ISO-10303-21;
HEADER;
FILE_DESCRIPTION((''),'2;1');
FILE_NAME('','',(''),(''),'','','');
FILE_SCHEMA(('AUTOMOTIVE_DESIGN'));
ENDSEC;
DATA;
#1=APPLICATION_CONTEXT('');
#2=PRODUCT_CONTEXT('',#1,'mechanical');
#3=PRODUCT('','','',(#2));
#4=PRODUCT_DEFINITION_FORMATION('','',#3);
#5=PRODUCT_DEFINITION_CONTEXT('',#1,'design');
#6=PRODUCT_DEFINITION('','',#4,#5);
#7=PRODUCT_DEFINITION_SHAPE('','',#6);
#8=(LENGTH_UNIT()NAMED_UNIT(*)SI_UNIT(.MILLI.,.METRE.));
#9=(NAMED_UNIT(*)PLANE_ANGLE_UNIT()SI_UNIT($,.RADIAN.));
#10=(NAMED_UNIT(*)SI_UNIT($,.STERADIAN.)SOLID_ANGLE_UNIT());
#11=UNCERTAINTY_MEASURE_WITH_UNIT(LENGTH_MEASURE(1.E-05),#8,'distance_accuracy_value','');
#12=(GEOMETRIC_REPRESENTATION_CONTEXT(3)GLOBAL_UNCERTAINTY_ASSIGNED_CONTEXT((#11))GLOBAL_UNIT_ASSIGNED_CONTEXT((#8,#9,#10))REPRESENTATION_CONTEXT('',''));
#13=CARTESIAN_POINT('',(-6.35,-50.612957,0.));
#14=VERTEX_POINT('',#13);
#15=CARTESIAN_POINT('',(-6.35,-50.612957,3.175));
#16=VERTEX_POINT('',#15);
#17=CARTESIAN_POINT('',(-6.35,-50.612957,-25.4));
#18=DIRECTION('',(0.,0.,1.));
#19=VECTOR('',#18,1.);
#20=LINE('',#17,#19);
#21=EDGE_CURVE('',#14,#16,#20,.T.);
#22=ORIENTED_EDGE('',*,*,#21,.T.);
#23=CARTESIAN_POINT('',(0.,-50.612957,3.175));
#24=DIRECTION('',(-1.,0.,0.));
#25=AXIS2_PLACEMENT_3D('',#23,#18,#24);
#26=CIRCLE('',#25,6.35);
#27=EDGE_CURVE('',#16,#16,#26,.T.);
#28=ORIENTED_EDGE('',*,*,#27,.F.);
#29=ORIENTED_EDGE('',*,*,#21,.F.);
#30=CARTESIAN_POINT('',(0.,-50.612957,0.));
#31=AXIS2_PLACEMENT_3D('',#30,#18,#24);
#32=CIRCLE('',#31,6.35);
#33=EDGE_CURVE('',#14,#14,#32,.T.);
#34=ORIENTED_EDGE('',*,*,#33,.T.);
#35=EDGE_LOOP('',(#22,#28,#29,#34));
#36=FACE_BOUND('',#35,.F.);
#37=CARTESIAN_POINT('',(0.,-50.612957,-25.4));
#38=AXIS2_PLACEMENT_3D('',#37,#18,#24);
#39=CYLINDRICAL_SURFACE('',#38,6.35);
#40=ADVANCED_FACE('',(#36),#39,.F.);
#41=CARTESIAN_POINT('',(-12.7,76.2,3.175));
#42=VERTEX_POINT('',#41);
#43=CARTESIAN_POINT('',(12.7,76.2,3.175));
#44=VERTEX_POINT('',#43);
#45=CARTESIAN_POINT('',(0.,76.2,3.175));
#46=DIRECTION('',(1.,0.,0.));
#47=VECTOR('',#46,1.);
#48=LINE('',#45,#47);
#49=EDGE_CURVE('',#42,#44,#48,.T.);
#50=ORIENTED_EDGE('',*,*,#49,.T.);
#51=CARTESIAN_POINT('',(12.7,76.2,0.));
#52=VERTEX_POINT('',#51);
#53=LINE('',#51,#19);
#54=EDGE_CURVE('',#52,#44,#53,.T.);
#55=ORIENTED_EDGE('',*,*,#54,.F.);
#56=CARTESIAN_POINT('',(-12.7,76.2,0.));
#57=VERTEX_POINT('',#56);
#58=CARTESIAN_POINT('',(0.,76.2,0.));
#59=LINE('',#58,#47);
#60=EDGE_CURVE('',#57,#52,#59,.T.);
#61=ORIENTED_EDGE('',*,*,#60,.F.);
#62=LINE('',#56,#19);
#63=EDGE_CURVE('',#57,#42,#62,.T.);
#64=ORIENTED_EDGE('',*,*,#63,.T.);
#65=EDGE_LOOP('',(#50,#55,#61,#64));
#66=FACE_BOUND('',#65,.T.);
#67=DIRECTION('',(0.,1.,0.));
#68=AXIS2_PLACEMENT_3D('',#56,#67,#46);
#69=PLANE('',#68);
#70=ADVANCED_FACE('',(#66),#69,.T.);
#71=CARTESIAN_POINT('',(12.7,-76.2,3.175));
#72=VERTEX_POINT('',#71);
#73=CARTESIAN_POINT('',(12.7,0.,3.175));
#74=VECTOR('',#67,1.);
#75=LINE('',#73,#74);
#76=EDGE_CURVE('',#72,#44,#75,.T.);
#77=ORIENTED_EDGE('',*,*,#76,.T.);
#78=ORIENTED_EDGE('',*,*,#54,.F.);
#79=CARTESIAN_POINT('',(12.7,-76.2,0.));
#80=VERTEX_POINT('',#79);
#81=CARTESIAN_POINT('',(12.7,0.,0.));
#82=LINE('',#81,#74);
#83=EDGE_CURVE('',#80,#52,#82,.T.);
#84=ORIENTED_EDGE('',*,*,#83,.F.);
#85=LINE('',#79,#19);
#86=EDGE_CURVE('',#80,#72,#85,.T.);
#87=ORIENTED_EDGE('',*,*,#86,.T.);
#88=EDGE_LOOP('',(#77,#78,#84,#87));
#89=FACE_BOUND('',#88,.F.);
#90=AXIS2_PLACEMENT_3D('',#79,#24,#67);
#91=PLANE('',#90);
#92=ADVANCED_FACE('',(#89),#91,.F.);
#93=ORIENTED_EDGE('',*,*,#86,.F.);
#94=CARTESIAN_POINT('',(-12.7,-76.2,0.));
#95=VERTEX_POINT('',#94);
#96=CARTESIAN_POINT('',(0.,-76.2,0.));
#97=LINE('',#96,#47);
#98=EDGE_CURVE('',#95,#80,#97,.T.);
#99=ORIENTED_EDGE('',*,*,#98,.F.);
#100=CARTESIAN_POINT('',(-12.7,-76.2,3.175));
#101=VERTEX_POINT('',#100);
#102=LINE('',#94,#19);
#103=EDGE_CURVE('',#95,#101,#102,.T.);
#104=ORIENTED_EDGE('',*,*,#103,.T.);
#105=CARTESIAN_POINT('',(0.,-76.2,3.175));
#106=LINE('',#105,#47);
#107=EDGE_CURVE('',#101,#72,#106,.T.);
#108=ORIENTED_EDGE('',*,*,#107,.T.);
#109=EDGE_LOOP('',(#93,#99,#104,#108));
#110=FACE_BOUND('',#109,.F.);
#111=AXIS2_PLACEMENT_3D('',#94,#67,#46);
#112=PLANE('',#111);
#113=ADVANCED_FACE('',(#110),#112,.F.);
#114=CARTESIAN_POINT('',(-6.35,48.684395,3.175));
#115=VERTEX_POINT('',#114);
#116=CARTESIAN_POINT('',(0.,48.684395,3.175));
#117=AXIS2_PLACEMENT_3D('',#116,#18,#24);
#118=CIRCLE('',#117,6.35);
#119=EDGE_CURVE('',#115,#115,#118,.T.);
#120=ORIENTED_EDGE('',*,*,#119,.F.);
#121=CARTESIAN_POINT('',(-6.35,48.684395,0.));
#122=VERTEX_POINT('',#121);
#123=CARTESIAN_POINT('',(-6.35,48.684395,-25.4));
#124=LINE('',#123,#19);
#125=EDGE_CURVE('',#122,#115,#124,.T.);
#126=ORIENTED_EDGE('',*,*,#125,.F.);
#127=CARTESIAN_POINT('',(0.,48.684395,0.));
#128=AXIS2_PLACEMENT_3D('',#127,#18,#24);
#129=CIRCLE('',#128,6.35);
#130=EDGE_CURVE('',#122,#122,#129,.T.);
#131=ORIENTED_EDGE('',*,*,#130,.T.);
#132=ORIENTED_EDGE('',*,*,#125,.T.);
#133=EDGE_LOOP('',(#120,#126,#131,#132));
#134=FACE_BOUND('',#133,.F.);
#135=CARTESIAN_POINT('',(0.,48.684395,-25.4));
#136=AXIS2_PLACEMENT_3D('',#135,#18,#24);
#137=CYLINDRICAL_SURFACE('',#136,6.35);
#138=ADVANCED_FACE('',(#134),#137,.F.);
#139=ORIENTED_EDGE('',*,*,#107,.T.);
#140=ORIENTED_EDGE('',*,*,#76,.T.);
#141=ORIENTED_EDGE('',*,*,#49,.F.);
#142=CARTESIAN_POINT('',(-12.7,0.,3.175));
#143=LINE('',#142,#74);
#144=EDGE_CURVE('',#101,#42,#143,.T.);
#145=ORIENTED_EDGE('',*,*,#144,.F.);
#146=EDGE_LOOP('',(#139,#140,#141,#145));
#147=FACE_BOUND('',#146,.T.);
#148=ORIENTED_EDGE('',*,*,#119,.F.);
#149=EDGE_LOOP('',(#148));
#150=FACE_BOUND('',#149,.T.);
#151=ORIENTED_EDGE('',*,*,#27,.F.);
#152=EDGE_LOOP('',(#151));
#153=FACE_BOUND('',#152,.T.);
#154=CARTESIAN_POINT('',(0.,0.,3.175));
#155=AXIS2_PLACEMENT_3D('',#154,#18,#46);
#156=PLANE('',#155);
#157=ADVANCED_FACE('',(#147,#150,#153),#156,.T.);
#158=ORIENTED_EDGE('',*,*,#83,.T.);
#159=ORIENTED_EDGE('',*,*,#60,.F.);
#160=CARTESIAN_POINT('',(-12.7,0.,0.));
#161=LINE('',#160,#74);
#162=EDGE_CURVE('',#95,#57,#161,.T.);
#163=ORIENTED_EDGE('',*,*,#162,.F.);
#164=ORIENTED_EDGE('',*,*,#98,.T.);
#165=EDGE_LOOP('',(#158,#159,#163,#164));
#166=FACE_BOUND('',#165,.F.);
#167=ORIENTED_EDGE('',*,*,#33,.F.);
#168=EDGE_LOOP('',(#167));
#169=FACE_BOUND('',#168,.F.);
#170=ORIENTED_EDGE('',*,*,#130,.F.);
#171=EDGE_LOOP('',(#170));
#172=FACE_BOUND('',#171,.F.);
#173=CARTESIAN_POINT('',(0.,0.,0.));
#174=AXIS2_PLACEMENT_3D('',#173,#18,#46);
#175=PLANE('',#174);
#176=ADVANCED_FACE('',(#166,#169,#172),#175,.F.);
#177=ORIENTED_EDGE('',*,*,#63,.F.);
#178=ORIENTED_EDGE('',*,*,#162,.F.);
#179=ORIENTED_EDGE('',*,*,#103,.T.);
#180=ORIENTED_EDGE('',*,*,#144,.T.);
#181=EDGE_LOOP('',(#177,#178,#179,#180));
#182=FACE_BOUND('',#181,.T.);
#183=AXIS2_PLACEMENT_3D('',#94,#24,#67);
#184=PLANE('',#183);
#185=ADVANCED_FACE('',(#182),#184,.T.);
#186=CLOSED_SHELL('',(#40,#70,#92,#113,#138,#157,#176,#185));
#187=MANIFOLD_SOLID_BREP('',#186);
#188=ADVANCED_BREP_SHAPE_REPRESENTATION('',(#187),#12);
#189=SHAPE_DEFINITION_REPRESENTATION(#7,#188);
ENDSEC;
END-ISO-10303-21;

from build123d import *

# Parameters (mm, degrees)
F0_W     = 25.4
F0_H     = 152.4
F1_DEPTH = 3.175
F3_D     = 12.7
F3_DEPTH = 25.4
F3_TIP   = 3.8154649308
F4_D     = 12.7
F4_DEPTH = 25.4
F4_TIP   = 3.8154649308


with BuildPart() as f1:
    # F0 (on Top) → F1 (new body)
    with BuildSketch(Plane.XY):
        Rectangle(F0_W, F0_H)
    extrude(amount=F1_DEPTH)

    # F3
    with Locations(Plane(origin=(0, 0, 0), x_dir=(1, 0, 0), z_dir=(0, 0, -1))):
        with Locations((0, -48.6843948386)):
            Hole(F3_D / 2, depth=F3_DEPTH)
            with Locations((0, 0, -(F3_DEPTH + F3_TIP / 2))):  # 118° drill point
                Cone(0, F3_D / 2, F3_TIP, mode=Mode.SUBTRACT)

    # F4
    with Locations(Plane(origin=(0, 0, 0), x_dir=(1, 0, 0), z_dir=(0, 0, -1))):
        with Locations((0, 50.612956785)):
            Hole(F4_D / 2, depth=F4_DEPTH)
            with Locations((0, 0, -(F4_DEPTH + F4_TIP / 2))):  # 118° drill point
                Cone(0, F4_D / 2, F4_TIP, mode=Mode.SUBTRACT)


solid = f1.part
